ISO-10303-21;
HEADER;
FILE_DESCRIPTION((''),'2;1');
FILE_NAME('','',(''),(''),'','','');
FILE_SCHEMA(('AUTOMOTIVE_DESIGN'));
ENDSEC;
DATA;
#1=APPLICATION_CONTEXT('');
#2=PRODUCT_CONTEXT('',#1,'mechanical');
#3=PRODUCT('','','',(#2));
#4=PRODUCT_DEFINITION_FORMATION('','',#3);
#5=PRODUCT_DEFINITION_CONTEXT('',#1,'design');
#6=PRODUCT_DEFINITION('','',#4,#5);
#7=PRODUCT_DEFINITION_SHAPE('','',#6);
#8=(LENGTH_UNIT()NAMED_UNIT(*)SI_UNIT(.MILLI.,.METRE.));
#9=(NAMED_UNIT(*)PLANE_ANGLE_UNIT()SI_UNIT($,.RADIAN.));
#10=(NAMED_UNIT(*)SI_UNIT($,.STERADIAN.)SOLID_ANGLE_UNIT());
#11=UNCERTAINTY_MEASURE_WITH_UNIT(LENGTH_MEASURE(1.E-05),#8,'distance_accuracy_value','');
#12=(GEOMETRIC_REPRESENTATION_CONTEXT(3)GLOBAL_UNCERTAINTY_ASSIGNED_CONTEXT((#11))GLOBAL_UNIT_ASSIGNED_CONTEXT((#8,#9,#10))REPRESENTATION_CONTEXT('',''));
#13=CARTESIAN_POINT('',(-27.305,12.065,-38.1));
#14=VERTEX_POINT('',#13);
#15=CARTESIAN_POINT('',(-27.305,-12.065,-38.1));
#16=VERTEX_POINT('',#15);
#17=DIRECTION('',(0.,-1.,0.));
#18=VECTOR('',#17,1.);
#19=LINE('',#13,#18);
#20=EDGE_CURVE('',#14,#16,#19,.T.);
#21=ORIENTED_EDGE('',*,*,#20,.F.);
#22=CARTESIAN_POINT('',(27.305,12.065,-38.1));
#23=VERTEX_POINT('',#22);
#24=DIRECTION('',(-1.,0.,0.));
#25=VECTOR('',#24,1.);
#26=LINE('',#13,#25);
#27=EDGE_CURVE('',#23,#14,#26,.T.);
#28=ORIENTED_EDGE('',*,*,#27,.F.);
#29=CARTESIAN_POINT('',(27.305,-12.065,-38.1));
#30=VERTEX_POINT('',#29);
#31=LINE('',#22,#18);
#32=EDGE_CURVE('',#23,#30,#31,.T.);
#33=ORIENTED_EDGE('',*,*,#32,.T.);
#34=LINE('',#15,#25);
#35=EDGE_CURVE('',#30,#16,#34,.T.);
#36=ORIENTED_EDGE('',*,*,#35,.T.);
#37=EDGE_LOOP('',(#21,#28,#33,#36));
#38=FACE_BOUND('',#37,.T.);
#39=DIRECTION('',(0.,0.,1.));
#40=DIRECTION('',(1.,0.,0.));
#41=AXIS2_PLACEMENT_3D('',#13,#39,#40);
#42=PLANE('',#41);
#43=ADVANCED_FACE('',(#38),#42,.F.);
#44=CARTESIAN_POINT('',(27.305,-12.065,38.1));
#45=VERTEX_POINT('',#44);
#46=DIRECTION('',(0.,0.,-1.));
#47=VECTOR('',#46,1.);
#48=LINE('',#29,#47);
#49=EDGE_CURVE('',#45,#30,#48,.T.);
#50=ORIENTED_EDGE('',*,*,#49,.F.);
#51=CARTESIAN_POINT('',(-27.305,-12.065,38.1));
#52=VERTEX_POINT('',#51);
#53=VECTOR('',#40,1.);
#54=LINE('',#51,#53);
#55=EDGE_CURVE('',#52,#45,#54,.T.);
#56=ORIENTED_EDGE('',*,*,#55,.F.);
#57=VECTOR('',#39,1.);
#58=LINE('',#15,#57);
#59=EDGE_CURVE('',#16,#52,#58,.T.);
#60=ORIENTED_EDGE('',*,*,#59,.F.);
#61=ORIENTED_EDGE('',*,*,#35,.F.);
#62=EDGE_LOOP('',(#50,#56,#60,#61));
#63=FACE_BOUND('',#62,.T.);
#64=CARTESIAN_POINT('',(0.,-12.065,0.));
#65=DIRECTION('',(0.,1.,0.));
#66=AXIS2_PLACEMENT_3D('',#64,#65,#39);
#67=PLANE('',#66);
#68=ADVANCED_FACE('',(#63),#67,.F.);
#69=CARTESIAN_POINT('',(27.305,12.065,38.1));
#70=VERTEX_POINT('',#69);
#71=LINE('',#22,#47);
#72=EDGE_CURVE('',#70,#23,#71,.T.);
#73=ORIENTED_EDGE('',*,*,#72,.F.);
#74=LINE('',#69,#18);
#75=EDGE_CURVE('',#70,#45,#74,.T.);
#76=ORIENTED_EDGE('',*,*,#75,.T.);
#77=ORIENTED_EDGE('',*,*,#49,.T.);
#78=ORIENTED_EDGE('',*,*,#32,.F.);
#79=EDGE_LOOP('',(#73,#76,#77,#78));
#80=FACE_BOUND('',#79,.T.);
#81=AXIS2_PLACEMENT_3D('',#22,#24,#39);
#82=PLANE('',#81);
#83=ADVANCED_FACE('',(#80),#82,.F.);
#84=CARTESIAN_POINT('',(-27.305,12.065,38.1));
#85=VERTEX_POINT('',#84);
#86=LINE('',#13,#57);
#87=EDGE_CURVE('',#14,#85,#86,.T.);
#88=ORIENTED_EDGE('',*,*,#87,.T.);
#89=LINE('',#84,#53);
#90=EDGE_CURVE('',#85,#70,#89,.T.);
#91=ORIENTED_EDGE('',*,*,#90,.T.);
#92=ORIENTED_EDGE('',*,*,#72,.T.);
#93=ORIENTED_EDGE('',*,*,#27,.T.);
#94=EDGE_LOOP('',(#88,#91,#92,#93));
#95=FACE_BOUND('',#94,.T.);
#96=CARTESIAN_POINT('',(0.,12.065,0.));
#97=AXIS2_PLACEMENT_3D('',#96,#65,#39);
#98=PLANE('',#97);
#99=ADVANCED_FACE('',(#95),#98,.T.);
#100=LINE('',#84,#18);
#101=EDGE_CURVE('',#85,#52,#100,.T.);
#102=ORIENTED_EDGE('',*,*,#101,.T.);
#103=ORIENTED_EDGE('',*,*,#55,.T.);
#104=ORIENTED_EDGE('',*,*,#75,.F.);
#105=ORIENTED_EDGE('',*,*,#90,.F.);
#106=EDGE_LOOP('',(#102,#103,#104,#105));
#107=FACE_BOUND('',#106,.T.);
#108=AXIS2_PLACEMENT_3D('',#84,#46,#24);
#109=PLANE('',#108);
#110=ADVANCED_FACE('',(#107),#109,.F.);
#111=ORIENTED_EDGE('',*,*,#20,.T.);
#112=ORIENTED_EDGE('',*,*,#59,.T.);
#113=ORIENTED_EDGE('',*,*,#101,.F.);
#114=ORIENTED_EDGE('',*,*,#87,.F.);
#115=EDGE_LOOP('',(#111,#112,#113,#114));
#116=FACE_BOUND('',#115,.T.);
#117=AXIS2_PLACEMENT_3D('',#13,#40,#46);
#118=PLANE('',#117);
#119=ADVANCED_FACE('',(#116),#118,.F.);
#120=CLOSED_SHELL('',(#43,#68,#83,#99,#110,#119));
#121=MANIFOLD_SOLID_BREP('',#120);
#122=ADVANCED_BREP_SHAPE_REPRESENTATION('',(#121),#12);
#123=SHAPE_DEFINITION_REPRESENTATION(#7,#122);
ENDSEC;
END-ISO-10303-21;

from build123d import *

# Parameters (mm, degrees)
SKETCH1_W           = 54.61
SKETCH1_H           = 76.2
BOSS_EXTRUDE1_DEPTH = 12.065


with BuildPart() as part:
    # Sketch1 → Boss-Extrude1 (new, symmetric)
    with BuildSketch(Plane(origin=(0, 0, 0), x_dir=(1, 0, 0), z_dir=(0, 1, 0))):
        Rectangle(SKETCH1_W, SKETCH1_H)
    extrude(amount=BOSS_EXTRUDE1_DEPTH, both=True)


solid = part.part
